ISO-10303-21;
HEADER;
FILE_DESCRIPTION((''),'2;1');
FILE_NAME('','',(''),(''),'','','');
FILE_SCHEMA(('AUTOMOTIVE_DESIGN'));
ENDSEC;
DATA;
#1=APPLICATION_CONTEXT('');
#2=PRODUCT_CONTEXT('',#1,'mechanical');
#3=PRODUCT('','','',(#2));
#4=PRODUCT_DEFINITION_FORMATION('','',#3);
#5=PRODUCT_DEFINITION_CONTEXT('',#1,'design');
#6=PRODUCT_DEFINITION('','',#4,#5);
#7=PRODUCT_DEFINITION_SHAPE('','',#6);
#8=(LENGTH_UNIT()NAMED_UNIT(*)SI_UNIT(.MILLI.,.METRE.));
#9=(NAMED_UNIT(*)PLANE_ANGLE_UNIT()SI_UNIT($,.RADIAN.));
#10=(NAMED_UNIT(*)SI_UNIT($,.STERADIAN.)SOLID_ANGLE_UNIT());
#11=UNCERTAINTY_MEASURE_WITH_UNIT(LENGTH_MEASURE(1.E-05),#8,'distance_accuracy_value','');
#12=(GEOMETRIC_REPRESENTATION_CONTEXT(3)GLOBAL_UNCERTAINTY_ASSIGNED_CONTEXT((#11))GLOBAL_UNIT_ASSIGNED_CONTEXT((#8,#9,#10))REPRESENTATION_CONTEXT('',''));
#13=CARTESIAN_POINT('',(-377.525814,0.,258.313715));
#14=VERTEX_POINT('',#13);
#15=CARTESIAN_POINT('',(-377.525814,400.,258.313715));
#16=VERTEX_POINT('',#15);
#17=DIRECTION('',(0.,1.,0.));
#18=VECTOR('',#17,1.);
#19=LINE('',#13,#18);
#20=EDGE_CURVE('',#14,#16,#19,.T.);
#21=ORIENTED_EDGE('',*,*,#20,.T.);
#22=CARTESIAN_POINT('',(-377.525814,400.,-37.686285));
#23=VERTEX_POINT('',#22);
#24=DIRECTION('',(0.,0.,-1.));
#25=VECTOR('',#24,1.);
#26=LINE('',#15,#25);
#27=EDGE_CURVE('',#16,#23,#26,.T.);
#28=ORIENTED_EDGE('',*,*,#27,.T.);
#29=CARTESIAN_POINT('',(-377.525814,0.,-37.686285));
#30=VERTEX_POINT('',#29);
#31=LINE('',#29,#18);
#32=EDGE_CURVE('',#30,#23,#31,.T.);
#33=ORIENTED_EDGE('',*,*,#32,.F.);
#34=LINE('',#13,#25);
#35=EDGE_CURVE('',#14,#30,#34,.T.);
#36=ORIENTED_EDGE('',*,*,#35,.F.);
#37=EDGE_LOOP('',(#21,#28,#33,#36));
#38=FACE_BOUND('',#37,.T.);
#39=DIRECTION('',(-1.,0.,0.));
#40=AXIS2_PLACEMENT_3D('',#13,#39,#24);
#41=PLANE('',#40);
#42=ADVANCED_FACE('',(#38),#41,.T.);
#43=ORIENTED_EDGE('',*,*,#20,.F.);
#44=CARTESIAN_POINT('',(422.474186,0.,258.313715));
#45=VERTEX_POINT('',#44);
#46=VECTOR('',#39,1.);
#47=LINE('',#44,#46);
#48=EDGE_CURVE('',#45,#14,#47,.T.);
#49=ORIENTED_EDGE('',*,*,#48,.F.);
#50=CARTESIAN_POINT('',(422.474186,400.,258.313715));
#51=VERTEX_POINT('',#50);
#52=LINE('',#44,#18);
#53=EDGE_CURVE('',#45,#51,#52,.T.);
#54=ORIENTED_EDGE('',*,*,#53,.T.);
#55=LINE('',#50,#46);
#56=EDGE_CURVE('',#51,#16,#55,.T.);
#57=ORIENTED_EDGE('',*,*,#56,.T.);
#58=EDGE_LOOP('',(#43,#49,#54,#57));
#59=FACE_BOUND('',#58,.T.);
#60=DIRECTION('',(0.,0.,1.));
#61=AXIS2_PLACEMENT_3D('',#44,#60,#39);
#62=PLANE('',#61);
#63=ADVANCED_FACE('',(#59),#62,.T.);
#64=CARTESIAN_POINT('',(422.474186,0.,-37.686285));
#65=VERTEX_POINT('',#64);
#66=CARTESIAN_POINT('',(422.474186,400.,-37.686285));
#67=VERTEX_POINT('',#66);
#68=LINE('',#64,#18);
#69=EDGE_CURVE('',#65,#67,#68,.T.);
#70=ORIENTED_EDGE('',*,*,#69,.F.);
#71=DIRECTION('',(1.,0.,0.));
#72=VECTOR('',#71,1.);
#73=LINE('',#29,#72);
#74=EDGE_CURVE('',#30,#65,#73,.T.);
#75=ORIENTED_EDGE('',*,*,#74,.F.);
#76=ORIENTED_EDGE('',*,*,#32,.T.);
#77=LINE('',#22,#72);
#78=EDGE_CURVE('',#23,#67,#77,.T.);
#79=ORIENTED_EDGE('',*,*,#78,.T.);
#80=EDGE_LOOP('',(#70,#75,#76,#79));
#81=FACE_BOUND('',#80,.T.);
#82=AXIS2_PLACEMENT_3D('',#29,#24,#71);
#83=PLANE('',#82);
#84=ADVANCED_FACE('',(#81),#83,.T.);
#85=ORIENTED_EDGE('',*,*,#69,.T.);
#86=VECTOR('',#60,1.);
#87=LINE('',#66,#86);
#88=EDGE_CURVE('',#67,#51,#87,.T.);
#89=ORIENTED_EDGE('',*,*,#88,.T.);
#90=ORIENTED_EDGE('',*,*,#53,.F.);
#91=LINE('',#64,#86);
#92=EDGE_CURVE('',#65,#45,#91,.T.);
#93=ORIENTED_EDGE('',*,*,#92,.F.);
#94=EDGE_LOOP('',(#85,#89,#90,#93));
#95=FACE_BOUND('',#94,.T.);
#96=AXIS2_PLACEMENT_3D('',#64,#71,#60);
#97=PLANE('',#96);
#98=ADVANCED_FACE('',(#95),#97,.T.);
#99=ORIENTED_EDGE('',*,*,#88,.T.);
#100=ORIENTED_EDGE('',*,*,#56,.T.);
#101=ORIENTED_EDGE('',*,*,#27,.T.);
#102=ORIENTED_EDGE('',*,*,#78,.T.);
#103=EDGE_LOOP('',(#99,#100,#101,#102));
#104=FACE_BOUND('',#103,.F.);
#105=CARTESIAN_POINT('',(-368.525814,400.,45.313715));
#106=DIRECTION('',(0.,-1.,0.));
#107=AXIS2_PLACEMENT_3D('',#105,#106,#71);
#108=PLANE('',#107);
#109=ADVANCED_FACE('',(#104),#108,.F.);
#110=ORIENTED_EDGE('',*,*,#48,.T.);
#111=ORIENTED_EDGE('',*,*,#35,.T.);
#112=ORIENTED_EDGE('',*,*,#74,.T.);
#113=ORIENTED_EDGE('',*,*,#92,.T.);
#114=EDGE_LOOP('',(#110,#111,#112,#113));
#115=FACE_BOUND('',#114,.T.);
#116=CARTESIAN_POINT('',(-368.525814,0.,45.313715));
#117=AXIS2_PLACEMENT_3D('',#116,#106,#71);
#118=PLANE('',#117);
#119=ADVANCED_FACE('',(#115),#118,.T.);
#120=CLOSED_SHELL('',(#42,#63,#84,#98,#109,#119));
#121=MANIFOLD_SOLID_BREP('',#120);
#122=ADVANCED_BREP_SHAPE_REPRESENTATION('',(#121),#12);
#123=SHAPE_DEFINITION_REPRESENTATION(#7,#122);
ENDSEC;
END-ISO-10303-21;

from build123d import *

# Parameters (mm, degrees)
F0_W     = 18
F0_H     = 130
F0_H_2   = 18
F0_W_2   = 301
F0_W_3   = 445
F1_DEPTH = 400


with BuildPart() as f1:
    # F0 (on Front) → F1 (new body)
    with BuildSketch(Plane.XZ):
        with Locations((-368.52581352, 45.3137154579)):
            Rectangle(F0_W, F0_H)
        with Locations((-368.52581352, 249.3137154579)):
            Rectangle(F0_W, F0_H_2)
        with Locations((413.47418648, 249.3137154579)):
            Rectangle(F0_W, F0_H_2)
        with Locations((413.47418648, -28.6862845421)):
            Rectangle(F0_W, F0_H_2)
        with Locations((-209.02581352, 175.3137154579)):
            Rectangle(F0_W_2, F0_H)
        with Locations((413.47418648, 175.3137154579)):
            Rectangle(F0_W, F0_H)
        with Locations((181.97418648, 249.3137154579)):
            Rectangle(F0_W_3, F0_H_2)
        with Locations((-368.52581352, -28.6862845421)):
            Rectangle(F0_W, F0_H_2)
        with Locations((-49.52581352, 175.3137154579)):
            Rectangle(F0_W, F0_H)
        with Locations((181.97418648, 175.3137154579)):
            Rectangle(F0_W_3, F0_H)
        with Locations((-49.52581352, -28.6862845421)):
            Rectangle(F0_W, F0_H_2)
        with Locations((181.97418648, 45.3137154579)):
            Rectangle(F0_W_3, F0_H)
        with Locations((-209.02581352, 45.3137154579)):
            Rectangle(F0_W_2, F0_H)
        with Locations((-209.02581352, -28.6862845421)):
            Rectangle(F0_W_2, F0_H_2)
        with Locations((181.97418648, -28.6862845421)):
            Rectangle(F0_W_3, F0_H_2)
        with Locations((-368.52581352, 175.3137154579)):
            Rectangle(F0_W, F0_H)
        with Locations((-49.52581352, 45.3137154579)):
            Rectangle(F0_W, F0_H)
        with Locations((413.47418648, 45.3137154579)):
            Rectangle(F0_W, F0_H)
        with Locations((-209.02581352, 249.3137154579)):
            Rectangle(F0_W_2, F0_H_2)
        with Locations((-49.52581352, 249.3137154579)):
            Rectangle(F0_W, F0_H_2)
    extrude(amount=-F1_DEPTH)


solid = f1.part
